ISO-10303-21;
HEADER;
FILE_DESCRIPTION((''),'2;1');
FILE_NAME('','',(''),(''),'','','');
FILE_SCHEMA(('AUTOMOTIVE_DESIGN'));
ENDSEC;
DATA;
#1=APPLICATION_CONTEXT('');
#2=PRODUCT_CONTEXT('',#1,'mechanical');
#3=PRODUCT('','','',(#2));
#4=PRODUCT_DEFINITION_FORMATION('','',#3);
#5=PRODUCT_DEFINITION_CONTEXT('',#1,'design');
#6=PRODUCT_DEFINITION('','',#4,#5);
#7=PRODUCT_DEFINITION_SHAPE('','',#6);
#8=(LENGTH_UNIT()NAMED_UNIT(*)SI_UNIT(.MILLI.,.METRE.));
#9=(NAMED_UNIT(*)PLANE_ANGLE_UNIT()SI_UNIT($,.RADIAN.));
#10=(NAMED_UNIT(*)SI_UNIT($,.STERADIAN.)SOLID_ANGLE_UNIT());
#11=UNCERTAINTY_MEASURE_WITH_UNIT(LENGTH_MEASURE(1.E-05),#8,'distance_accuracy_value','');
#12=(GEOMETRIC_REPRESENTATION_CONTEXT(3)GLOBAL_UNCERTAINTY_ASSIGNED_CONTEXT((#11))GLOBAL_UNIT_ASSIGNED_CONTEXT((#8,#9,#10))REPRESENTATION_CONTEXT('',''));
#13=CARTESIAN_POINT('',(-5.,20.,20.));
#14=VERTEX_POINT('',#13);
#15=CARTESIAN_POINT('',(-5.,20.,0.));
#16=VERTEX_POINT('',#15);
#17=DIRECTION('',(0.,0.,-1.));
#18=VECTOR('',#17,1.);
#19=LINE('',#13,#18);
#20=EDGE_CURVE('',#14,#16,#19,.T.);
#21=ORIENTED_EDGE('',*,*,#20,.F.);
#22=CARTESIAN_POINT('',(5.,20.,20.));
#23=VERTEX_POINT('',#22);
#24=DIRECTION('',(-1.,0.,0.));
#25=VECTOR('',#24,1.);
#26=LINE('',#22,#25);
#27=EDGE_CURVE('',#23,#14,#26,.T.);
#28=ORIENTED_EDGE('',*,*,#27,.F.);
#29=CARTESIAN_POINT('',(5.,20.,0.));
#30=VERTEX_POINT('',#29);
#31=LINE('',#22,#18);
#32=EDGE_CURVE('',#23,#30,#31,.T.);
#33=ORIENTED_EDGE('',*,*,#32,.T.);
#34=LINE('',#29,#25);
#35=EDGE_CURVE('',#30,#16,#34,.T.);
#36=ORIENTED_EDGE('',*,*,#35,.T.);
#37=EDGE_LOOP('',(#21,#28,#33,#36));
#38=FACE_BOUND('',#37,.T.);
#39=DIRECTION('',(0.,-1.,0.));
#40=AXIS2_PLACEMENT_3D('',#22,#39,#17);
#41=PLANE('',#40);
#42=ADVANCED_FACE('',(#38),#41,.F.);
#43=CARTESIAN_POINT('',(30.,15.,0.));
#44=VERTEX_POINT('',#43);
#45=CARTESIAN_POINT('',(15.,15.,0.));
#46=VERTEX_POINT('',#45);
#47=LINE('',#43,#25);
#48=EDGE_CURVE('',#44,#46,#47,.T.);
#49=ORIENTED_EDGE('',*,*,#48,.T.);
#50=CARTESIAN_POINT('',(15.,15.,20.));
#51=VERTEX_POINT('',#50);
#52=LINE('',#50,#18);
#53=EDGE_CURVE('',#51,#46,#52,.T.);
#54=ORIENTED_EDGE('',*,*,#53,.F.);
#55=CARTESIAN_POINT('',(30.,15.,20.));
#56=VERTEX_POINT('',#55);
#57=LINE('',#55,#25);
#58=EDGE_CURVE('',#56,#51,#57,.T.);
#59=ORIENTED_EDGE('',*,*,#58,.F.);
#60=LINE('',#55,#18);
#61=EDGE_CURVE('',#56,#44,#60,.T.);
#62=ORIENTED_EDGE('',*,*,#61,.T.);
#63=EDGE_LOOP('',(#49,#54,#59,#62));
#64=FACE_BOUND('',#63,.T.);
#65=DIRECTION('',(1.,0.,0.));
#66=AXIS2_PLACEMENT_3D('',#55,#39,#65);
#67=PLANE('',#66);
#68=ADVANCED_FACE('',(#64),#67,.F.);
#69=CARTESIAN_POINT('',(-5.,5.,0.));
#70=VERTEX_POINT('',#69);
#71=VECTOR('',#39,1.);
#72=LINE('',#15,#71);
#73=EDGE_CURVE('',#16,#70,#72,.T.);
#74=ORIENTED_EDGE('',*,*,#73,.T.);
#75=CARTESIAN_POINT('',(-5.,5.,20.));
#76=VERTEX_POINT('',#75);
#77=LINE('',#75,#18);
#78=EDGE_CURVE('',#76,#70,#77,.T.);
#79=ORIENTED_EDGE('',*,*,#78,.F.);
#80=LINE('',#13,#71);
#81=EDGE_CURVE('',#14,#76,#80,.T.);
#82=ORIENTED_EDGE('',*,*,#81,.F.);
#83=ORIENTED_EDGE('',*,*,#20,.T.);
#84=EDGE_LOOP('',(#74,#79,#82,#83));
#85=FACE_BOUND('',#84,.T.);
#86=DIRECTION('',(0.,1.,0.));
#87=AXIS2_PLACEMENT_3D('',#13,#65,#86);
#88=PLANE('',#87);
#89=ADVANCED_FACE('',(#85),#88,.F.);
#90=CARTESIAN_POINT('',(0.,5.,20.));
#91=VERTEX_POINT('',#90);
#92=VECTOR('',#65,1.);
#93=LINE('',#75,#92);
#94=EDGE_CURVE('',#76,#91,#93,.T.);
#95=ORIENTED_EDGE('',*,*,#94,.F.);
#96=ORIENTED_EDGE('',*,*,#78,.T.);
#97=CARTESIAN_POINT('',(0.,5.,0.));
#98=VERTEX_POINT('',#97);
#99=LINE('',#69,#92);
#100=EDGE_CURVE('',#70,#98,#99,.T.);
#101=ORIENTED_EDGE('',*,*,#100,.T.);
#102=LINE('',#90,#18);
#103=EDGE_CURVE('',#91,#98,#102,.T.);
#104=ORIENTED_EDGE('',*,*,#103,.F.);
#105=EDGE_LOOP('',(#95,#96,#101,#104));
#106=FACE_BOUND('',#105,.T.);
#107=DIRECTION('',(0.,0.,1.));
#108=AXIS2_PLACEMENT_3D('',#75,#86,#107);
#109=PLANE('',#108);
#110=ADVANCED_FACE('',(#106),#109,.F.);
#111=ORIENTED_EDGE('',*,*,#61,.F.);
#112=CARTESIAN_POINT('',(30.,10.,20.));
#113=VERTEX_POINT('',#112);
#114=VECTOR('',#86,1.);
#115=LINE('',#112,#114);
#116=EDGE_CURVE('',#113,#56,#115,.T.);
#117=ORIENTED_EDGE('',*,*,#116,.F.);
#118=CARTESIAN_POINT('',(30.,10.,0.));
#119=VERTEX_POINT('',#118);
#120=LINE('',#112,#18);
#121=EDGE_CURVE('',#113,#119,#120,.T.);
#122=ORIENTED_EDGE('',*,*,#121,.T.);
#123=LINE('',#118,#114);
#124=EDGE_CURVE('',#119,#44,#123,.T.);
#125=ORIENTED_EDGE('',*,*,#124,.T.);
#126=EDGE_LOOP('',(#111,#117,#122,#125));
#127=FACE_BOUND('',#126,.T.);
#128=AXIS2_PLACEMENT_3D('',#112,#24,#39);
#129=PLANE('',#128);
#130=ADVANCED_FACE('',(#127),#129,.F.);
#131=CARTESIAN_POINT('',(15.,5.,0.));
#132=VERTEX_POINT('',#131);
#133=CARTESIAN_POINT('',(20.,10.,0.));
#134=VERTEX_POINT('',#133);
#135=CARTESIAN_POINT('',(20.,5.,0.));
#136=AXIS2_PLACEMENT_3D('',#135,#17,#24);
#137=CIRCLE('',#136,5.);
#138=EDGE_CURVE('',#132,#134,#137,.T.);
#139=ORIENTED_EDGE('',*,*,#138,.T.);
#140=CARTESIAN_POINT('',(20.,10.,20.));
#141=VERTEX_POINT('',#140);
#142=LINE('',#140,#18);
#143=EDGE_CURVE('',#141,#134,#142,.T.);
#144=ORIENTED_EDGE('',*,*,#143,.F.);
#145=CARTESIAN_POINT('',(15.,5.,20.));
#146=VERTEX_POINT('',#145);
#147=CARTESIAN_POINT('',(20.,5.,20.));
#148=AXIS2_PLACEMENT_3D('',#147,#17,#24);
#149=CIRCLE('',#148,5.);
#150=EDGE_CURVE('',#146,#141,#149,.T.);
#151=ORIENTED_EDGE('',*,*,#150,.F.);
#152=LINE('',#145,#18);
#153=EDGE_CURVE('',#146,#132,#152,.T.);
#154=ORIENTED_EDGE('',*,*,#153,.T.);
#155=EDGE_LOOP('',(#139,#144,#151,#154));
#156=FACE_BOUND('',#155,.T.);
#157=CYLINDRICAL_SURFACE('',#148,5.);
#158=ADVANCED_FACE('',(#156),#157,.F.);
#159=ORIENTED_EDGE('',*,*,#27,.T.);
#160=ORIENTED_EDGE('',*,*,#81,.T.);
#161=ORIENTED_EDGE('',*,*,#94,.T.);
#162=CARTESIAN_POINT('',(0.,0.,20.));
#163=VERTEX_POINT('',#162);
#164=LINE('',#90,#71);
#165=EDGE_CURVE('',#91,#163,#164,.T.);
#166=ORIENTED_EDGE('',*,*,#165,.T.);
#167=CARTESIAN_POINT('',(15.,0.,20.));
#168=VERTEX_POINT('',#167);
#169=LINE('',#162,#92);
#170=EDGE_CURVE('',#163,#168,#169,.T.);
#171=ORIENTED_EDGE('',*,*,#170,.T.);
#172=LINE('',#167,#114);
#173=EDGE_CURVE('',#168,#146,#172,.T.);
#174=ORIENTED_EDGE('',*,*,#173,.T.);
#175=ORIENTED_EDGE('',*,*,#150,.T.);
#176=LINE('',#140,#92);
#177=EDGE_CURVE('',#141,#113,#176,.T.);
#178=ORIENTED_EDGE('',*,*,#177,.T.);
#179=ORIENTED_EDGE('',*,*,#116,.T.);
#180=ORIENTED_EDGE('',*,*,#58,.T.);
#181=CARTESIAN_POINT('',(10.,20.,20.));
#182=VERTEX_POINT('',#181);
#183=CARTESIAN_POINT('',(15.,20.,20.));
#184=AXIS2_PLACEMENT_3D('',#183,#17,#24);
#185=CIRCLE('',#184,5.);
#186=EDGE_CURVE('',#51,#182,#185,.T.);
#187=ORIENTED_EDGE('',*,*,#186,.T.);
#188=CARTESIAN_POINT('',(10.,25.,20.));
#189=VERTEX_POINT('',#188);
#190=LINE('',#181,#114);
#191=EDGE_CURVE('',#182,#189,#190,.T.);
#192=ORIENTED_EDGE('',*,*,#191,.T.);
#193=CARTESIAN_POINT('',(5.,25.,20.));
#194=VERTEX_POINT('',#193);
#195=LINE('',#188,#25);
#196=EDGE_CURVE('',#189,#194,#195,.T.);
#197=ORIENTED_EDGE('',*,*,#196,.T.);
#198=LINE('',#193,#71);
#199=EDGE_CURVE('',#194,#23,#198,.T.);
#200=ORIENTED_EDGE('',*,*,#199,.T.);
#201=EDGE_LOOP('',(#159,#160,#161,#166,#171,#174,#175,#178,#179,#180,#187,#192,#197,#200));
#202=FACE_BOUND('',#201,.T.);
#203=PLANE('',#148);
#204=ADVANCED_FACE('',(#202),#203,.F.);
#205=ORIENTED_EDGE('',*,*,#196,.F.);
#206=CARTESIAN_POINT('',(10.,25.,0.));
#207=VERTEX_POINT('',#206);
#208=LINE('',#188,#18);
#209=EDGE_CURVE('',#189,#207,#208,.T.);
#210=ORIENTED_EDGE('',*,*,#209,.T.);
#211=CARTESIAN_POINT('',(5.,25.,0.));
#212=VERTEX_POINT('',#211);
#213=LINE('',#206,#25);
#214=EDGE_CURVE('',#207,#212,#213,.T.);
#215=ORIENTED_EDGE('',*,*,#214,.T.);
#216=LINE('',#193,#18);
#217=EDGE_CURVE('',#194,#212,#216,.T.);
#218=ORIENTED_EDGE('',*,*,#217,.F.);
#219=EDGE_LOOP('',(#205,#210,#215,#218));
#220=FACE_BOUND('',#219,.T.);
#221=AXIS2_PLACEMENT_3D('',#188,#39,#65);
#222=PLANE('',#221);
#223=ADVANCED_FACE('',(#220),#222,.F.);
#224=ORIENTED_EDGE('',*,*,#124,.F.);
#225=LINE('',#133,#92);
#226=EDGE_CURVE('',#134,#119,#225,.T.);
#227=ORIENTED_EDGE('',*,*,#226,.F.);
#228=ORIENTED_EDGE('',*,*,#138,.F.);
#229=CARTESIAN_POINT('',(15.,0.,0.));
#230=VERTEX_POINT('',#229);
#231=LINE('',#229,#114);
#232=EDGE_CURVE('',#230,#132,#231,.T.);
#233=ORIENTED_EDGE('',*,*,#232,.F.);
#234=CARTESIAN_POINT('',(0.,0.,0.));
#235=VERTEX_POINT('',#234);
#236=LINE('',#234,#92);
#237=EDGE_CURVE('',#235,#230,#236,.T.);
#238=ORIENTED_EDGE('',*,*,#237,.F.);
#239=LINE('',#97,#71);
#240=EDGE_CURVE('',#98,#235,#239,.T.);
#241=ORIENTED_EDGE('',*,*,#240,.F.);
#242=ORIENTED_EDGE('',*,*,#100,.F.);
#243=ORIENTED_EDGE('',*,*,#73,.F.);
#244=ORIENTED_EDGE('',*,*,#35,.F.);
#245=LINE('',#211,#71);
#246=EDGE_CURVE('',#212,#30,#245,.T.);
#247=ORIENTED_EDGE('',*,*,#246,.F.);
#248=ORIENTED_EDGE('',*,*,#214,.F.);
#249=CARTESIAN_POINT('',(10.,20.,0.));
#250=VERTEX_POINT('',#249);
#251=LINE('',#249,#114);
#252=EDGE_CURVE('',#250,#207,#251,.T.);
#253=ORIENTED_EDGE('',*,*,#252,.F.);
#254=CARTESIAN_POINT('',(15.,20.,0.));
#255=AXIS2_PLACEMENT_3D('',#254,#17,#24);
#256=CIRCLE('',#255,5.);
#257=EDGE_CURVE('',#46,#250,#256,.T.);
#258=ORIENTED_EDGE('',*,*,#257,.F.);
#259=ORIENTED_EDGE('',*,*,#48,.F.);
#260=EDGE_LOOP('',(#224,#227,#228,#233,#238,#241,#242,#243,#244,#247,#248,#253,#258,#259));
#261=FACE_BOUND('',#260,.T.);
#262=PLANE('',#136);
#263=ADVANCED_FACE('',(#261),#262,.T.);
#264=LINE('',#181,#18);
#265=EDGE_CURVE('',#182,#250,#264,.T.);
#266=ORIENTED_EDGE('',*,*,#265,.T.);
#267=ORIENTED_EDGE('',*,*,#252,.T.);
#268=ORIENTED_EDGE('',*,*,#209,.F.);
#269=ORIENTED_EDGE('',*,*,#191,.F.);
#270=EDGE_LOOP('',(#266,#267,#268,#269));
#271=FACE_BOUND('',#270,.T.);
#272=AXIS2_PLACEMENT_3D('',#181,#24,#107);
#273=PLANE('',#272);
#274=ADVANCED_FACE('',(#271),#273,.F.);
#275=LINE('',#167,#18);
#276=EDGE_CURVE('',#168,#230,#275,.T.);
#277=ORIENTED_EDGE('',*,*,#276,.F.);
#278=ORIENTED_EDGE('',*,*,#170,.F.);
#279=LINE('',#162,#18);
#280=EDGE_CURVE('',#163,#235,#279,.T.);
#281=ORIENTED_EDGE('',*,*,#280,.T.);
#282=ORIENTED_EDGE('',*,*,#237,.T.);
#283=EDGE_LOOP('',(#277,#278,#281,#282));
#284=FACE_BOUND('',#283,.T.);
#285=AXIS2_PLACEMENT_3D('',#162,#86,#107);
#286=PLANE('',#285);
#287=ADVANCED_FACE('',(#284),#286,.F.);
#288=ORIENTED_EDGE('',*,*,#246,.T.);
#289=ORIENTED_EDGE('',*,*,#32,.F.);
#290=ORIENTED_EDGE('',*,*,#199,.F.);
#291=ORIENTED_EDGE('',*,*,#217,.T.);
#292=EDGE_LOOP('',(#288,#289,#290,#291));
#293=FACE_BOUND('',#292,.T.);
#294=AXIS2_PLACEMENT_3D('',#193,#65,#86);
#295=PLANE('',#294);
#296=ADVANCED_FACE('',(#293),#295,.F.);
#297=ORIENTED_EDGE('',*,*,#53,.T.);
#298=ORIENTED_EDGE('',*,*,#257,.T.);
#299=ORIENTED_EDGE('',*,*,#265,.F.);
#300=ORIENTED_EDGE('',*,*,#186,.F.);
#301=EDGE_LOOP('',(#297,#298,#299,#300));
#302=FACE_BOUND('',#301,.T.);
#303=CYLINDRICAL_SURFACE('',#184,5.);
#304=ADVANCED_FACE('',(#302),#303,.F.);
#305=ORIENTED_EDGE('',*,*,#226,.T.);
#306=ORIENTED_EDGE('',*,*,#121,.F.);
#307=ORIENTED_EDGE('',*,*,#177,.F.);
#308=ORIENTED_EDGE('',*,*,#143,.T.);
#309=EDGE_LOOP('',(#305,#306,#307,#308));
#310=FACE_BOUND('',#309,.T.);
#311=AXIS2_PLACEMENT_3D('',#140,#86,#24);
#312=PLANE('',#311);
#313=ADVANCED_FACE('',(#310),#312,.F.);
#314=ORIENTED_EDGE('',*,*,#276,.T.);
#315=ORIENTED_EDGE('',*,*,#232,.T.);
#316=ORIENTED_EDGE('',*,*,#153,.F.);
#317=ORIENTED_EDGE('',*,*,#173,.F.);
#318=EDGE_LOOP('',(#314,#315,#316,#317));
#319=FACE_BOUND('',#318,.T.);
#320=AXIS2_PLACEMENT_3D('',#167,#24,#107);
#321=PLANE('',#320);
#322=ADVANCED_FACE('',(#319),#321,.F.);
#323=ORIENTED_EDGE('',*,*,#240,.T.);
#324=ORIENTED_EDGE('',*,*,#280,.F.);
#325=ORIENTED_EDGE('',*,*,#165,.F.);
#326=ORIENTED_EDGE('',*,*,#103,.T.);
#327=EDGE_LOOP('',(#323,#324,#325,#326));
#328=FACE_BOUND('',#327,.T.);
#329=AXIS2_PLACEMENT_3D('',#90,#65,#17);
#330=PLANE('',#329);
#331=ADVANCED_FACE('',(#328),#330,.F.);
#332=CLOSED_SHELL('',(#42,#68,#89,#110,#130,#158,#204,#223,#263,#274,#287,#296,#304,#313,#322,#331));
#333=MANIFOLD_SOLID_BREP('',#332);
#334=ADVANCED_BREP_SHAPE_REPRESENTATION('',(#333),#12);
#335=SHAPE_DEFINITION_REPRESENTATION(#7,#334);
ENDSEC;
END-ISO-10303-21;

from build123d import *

# Parameters (mm, degrees)
EXTRUDE_1_DEPTH = 20


with BuildPart() as part:
    # 草圖1 → 填料-伸長1 (new body)
    with BuildSketch(Plane.XY):
        with BuildLine():
            Line((0, 0), (15, 0))
            Line((15, 0), (15, 5))
            ThreePointArc((15, 5), (16.464466094, 8.535533906), (20, 10))
            Line((20, 10), (30, 10))
            Line((30, 10), (30, 15))
            Line((30, 15), (15, 15))
            ThreePointArc((15, 15), (11.464466094, 16.464466094), (10, 20))
            Line((10, 20), (10, 25))
            Line((10, 25), (5, 25))
            Line((5, 25), (5, 20))
            Line((5, 20), (-5, 20))
            Line((-5, 20), (-5, 5))
            Line((-5, 5), (0, 5))
            Line((0, 5), (0, 0))
        make_face()
    extrude(amount=EXTRUDE_1_DEPTH)


solid = part.part
